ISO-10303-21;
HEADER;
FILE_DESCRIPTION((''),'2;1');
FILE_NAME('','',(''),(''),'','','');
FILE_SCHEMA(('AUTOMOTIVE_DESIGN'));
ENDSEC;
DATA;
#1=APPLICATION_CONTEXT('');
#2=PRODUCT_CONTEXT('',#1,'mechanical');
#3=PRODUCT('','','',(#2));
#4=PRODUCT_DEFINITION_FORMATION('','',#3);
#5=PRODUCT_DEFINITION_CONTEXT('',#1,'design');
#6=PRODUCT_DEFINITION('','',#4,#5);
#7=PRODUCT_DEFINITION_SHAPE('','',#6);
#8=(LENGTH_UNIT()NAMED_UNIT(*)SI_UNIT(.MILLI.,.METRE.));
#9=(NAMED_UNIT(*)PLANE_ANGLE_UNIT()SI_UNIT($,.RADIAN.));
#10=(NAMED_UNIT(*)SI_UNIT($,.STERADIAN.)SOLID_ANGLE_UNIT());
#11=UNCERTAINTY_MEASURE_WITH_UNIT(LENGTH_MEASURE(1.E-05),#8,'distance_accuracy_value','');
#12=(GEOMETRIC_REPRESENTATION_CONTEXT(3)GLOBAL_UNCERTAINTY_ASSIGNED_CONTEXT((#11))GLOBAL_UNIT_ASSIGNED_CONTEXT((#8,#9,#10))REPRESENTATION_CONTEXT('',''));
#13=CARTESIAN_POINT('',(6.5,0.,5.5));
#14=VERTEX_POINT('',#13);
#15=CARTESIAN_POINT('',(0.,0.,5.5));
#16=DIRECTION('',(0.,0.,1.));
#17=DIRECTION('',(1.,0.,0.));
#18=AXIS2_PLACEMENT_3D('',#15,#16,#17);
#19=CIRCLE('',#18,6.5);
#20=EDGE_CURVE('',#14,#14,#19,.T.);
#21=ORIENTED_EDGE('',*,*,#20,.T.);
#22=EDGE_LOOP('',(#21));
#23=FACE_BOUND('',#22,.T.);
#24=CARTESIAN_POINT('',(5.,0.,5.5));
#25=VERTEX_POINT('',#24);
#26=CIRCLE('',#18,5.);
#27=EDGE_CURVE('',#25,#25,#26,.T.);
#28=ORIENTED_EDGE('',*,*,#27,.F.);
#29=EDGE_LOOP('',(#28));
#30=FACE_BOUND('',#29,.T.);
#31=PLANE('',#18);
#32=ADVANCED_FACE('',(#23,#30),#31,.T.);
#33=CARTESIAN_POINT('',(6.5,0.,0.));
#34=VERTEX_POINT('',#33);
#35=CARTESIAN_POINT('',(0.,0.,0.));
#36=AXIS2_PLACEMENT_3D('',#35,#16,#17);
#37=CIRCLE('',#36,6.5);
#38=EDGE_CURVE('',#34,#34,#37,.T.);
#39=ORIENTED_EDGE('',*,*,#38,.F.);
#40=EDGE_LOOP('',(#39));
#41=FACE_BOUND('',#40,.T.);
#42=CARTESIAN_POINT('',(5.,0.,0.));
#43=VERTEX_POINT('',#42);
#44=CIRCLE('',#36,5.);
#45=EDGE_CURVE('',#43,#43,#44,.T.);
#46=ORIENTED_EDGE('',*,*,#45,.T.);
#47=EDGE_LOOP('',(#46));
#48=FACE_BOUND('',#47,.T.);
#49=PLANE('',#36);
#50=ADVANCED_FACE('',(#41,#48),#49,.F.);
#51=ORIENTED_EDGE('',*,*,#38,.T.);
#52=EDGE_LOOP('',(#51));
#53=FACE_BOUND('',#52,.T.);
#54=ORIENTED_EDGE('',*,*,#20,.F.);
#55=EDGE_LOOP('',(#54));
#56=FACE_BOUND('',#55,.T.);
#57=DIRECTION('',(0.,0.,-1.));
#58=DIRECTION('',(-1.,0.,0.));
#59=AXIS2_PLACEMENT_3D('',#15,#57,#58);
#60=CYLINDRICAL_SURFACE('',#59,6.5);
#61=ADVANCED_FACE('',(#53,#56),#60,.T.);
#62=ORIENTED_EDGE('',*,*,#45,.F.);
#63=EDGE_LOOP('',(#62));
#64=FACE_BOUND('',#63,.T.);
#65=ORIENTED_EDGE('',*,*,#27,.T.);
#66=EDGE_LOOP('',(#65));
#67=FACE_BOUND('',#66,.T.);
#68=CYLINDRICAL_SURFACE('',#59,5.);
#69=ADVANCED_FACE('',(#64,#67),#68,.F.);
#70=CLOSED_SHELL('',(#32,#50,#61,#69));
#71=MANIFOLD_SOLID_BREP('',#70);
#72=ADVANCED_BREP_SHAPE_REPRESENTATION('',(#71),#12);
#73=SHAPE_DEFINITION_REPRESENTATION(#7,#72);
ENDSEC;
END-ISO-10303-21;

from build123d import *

# Parameters (mm, degrees)
SKIZZE1_R                       = 6.5
SKIZZE1_R_2                     = 5
AUFSATZ_LINEAR_AUSTRAGEN1_DEPTH = 5.5


with BuildPart() as part:
    # Skizze1 → Aufsatz-Linear austragen1 (new body)
    with BuildSketch(Plane.XY):
        Circle(SKIZZE1_R)
        Circle(SKIZZE1_R_2, mode=Mode.SUBTRACT)
    extrude(amount=AUFSATZ_LINEAR_AUSTRAGEN1_DEPTH)


solid = part.part
